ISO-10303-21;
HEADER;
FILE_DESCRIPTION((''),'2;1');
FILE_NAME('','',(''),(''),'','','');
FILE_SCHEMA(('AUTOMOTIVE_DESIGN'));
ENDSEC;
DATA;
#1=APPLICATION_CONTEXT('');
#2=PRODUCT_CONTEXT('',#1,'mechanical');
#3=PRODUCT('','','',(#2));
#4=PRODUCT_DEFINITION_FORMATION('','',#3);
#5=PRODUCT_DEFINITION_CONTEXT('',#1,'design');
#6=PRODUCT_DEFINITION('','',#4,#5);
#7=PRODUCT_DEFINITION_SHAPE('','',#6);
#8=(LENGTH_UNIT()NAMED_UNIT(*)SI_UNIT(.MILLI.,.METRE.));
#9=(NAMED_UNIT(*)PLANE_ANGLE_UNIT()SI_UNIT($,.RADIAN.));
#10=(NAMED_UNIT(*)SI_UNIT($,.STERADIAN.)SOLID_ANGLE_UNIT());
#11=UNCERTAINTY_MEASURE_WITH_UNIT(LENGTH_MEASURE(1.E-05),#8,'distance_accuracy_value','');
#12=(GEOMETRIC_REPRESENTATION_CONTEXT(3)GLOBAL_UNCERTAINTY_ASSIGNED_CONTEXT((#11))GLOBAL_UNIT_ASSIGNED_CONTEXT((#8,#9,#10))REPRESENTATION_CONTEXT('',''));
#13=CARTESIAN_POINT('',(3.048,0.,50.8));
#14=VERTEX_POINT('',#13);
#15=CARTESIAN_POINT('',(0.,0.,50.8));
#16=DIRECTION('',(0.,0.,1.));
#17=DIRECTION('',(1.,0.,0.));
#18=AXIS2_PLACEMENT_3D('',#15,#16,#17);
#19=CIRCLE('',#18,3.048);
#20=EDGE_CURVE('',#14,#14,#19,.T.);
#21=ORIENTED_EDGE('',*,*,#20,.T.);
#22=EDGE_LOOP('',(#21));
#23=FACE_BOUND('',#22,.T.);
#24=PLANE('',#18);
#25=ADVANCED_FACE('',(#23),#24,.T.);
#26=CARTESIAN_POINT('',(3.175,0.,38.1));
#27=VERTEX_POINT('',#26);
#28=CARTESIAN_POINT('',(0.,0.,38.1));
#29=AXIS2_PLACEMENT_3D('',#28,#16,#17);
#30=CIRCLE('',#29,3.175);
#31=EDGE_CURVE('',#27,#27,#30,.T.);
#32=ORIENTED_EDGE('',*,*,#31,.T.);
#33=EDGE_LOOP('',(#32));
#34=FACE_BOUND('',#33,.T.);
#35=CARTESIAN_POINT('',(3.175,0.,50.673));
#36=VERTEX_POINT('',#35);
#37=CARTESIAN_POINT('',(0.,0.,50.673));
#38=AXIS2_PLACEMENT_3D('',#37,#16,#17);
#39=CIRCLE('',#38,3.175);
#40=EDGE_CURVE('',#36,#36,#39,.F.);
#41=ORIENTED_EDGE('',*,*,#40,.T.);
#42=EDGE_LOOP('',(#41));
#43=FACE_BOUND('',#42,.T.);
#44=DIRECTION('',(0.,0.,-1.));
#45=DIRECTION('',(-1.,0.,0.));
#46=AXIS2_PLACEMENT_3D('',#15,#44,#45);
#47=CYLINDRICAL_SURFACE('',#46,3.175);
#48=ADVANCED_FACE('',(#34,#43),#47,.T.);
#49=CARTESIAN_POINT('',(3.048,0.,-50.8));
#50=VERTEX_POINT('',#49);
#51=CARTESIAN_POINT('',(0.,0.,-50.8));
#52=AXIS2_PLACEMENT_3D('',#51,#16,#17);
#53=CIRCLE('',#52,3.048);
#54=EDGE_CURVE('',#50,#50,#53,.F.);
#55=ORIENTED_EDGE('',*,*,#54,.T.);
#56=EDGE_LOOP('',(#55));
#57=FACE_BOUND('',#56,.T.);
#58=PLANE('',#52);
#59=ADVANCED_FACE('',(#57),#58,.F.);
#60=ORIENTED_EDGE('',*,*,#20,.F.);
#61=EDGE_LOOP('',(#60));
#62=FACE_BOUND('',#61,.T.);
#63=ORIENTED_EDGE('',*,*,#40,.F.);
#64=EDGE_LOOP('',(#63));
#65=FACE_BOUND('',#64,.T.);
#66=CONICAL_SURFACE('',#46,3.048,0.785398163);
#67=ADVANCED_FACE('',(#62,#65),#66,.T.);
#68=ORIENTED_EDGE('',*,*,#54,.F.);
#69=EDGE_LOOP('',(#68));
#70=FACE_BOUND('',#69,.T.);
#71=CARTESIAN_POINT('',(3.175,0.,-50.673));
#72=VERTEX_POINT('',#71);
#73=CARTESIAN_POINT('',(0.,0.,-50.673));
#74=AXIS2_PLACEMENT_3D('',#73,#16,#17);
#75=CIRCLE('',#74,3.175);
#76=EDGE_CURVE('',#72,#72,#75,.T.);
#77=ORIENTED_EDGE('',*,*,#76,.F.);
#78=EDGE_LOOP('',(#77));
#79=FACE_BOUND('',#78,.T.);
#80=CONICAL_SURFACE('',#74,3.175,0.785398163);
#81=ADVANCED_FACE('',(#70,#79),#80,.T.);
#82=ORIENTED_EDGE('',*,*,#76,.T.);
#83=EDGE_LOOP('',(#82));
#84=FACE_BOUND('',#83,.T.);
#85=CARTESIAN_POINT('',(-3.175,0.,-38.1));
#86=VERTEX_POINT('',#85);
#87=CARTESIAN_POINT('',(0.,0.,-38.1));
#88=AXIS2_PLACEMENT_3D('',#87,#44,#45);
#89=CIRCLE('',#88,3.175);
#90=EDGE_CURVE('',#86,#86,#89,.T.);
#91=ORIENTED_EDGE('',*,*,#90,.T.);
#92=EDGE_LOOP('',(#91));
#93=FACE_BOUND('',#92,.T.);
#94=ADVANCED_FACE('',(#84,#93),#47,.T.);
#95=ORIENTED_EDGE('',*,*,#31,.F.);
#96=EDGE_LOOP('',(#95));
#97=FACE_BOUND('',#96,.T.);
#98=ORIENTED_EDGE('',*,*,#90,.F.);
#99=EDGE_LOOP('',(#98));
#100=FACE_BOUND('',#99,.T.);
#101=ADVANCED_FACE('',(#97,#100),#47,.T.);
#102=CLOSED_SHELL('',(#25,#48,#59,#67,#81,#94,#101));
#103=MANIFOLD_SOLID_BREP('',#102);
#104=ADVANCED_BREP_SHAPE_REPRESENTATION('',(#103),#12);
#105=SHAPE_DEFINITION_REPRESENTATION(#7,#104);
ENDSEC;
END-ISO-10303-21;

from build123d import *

# Parameters (mm, degrees)
BOSS_EXTRUDE1_DEPTH      = 50.8
BOSS_EXTRUDE1_DEPTH_BACK = 50.8
SKETCH3_R                = 3.175
CHAMFER1_SIZE            = 0.127


with BuildPart() as part:
    # Sketch3 → Boss-Extrude1 (new, two sides: drawn at the far end of the back side and taken through both)
    with BuildSketch(Plane.XY.offset(-BOSS_EXTRUDE1_DEPTH_BACK)):
        Circle(SKETCH3_R)
    extrude(amount=BOSS_EXTRUDE1_DEPTH + BOSS_EXTRUDE1_DEPTH_BACK)

    # Chamfer1
    chamfer1_edges = [part.edges().sort_by_distance(p)[0] for p in [
        (-3.175, 0, -50.8),
        (-3.175, 0, 50.8),
    ]]
    chamfer(chamfer1_edges, length=CHAMFER1_SIZE)


solid = part.part
